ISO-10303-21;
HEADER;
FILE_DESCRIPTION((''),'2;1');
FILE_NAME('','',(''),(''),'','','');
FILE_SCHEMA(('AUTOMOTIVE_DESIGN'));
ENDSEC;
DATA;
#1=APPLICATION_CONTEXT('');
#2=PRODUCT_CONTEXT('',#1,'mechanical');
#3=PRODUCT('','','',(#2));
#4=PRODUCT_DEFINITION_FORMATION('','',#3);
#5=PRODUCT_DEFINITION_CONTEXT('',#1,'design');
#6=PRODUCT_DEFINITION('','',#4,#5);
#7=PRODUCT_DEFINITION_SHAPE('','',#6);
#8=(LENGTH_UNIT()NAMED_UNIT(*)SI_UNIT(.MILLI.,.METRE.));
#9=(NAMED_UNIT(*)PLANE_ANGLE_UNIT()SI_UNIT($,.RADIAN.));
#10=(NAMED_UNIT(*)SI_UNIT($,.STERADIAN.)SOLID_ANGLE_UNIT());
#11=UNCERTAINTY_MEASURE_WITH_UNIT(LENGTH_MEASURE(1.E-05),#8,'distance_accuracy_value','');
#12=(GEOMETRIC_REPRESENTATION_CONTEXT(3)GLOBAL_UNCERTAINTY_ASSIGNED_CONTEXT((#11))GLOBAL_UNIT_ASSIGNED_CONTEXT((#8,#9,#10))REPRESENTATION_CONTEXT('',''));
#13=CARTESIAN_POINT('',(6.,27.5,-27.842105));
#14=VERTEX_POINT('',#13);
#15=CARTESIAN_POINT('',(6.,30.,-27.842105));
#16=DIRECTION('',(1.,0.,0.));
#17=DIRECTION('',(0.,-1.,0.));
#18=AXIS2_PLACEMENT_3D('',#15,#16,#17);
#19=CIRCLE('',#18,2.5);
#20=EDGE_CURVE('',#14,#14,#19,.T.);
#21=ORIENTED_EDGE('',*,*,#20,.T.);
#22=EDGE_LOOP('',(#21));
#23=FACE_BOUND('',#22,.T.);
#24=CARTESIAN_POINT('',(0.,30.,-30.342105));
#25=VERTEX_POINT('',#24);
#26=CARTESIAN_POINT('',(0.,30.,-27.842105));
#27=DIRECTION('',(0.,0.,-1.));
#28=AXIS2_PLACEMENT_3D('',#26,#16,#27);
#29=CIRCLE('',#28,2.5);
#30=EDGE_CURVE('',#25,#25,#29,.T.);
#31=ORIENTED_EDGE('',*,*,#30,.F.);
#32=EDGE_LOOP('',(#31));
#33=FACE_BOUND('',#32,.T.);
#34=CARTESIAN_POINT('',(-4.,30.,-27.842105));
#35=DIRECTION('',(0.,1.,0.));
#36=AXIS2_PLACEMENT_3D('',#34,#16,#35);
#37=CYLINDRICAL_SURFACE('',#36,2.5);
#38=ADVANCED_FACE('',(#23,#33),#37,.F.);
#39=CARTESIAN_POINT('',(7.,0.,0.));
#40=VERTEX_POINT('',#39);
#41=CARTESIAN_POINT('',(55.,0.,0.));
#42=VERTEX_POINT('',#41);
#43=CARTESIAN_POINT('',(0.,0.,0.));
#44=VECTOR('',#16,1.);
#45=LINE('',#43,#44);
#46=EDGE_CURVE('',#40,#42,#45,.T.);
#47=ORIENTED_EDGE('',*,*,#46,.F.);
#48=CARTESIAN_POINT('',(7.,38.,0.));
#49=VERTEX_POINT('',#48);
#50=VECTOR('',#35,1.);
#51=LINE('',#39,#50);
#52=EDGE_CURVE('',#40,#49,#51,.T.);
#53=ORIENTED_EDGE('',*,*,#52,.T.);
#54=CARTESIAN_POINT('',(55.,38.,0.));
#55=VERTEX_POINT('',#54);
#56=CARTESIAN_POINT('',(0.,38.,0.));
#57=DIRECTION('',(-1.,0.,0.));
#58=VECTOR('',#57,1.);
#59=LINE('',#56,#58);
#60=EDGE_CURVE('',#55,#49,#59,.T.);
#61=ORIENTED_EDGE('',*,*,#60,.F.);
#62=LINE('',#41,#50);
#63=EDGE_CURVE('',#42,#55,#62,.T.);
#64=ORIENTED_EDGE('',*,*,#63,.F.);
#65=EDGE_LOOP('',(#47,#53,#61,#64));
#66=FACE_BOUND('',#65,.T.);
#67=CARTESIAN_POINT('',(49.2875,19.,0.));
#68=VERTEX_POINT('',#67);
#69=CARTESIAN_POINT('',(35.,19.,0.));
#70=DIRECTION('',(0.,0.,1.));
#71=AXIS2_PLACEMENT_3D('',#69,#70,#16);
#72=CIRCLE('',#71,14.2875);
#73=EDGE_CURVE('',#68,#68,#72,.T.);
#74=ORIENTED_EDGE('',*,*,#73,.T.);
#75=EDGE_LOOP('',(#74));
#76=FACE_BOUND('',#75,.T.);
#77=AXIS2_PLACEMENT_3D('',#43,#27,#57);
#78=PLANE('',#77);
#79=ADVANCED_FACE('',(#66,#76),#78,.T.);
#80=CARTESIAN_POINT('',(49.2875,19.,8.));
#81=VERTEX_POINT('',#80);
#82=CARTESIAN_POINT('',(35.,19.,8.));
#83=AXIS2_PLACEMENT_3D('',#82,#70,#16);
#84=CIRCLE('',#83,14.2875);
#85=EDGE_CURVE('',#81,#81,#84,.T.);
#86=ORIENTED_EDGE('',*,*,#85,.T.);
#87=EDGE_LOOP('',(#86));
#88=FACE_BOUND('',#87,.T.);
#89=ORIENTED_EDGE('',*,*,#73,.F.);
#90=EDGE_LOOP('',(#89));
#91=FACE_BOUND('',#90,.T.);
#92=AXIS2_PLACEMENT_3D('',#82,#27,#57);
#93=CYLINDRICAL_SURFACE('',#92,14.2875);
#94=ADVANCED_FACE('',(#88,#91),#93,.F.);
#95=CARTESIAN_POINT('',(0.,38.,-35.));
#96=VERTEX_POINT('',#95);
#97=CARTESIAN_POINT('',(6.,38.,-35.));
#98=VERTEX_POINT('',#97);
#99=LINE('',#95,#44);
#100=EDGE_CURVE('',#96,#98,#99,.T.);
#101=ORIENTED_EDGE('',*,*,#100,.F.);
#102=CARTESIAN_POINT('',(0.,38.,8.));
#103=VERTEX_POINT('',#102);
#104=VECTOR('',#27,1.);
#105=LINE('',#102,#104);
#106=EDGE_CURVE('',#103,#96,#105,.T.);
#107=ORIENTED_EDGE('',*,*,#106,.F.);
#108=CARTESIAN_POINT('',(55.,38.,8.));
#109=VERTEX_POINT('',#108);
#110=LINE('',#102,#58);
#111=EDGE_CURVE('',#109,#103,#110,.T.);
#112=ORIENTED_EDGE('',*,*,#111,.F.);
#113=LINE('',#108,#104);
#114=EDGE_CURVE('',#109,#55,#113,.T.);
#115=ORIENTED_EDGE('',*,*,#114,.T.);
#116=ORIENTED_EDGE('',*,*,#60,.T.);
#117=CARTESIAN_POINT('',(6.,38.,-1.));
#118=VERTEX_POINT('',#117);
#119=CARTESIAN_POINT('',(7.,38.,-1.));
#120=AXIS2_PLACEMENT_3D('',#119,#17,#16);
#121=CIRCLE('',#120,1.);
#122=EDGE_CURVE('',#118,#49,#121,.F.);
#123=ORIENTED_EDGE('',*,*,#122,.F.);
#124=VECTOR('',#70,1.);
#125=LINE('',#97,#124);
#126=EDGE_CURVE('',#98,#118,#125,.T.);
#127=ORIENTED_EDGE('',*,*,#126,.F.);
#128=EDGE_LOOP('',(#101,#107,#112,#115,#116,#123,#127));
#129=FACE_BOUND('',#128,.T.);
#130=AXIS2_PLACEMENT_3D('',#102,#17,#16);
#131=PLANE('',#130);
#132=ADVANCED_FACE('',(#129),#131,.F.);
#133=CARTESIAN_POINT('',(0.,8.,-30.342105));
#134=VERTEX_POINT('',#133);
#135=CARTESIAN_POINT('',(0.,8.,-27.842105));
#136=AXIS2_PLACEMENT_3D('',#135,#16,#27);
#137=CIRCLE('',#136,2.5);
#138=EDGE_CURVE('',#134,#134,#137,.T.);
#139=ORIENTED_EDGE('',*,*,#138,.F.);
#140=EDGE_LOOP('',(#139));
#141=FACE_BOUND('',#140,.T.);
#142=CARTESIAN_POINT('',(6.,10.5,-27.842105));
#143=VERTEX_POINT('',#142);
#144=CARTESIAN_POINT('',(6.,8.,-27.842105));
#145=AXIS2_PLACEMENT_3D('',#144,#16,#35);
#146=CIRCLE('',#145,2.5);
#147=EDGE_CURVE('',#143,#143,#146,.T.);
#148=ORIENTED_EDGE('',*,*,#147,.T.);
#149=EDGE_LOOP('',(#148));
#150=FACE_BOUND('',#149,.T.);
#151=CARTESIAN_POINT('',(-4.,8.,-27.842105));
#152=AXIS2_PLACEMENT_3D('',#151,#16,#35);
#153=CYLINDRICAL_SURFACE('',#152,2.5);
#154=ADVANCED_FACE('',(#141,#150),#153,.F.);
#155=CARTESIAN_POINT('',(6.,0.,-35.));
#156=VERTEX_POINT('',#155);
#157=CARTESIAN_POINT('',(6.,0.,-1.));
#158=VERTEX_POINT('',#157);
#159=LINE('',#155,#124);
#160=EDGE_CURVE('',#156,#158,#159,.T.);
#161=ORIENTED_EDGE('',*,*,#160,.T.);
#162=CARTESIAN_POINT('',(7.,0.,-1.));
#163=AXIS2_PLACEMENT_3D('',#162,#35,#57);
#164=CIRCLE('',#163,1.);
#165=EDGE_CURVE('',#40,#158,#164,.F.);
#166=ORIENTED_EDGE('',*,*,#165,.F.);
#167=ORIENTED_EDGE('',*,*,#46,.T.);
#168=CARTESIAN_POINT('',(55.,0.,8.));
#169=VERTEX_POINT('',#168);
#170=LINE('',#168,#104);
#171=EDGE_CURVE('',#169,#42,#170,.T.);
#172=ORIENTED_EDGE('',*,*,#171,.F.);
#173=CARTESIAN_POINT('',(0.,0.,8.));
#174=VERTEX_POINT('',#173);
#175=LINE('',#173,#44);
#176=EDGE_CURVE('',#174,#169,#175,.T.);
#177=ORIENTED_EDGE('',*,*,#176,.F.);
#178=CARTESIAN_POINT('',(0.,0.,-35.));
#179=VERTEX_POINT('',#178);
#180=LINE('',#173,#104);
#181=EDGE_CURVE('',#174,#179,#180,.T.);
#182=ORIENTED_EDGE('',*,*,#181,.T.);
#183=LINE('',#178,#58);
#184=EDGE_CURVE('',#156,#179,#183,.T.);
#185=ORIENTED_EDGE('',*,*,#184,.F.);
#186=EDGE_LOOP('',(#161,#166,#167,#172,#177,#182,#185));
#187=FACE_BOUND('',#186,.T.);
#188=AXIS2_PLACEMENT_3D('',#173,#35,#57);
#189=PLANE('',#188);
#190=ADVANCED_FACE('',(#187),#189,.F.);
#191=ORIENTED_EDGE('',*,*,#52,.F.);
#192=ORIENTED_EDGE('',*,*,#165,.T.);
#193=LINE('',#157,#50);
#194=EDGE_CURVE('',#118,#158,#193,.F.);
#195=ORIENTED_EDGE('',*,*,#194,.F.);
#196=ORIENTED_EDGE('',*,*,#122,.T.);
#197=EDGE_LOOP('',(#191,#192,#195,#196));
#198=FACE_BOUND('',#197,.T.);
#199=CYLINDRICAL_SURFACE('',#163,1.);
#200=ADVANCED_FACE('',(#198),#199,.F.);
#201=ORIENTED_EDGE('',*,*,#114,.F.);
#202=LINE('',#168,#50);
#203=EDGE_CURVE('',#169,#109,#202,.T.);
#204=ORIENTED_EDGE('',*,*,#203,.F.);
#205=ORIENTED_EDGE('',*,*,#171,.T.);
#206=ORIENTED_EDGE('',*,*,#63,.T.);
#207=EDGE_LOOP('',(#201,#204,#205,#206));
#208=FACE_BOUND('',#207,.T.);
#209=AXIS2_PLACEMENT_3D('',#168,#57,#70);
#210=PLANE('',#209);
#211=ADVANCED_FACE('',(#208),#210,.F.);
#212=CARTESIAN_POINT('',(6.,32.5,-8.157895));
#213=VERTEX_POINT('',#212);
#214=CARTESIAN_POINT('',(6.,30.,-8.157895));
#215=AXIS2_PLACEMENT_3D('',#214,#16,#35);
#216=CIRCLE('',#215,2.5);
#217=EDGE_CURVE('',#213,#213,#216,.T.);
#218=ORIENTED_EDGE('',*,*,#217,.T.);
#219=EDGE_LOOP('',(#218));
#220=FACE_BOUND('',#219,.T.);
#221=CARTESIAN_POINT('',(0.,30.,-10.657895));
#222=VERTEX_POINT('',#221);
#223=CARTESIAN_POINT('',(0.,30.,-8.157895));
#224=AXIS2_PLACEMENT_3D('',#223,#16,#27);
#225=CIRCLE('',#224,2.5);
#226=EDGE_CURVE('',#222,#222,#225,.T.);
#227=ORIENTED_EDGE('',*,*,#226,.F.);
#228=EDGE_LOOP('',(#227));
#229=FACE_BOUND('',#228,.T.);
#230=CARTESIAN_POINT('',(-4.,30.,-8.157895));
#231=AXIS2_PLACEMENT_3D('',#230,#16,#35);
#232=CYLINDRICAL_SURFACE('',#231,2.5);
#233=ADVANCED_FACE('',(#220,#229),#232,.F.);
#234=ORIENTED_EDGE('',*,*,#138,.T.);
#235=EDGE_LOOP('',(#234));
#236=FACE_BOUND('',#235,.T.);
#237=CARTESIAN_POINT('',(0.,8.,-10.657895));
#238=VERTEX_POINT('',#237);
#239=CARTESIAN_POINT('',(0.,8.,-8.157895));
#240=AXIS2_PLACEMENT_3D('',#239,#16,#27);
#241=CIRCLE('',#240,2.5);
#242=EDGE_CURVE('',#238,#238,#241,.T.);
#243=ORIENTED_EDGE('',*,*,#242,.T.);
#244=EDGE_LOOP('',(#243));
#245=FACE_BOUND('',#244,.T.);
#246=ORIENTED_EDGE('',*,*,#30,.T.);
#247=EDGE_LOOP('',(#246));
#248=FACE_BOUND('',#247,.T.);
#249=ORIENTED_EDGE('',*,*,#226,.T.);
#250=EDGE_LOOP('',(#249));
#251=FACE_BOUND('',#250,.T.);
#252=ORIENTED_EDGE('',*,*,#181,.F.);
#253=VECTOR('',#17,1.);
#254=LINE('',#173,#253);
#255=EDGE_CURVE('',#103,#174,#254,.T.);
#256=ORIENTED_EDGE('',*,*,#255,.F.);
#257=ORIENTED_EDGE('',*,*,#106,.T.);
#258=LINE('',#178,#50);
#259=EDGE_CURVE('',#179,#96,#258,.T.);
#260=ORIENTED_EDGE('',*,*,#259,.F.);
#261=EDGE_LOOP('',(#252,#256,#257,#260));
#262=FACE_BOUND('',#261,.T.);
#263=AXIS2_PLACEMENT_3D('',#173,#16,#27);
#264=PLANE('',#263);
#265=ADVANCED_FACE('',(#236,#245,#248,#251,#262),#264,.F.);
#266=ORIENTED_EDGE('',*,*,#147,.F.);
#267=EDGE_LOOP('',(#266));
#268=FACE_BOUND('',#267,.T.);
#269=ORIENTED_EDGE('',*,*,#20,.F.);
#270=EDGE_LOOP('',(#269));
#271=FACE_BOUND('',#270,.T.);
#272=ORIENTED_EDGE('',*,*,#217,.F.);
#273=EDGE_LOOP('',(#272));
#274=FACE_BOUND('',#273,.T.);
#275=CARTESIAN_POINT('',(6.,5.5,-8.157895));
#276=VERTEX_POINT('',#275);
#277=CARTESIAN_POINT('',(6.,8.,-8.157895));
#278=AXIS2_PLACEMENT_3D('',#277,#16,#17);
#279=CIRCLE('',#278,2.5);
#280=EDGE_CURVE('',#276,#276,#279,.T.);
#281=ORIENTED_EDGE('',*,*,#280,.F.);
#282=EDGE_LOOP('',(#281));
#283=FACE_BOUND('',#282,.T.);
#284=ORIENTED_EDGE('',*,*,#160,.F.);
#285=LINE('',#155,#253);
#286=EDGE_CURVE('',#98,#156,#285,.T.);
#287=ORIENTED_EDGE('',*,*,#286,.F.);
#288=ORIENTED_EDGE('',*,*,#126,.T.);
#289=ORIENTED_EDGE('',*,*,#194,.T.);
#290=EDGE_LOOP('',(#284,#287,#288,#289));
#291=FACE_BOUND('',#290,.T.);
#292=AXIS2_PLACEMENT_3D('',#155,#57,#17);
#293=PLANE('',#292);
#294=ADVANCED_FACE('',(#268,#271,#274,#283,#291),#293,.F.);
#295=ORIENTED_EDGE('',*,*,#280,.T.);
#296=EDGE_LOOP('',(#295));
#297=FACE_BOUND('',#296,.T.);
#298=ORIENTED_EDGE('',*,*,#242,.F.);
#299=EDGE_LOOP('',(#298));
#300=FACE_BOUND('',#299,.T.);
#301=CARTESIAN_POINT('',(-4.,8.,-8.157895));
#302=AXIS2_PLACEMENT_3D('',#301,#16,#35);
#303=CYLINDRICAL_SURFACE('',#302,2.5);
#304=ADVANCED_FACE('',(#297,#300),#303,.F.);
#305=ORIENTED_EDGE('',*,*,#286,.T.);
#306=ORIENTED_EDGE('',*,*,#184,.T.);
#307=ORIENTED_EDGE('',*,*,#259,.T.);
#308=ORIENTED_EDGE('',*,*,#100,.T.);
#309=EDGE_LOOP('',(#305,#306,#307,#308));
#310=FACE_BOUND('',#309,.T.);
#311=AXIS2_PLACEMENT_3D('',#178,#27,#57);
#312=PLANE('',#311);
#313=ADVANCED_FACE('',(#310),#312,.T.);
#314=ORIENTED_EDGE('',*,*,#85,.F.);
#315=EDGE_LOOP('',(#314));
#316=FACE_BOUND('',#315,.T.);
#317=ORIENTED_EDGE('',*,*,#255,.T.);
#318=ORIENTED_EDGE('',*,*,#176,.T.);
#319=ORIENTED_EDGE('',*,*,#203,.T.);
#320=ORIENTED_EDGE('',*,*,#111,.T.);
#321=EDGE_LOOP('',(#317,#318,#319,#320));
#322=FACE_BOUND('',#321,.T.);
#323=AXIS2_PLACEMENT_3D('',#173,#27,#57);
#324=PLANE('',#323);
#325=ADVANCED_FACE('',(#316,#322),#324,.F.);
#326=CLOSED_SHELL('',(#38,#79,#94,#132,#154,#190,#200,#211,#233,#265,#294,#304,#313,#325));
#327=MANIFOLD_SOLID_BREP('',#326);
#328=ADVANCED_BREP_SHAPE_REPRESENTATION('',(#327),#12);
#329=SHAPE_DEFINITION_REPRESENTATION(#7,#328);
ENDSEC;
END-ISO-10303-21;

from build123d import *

# Parameters (mm, degrees)
SKETCH1_W           = 55
SKETCH1_H           = 38
SKETCH1_R           = 14.2875
BOSS_EXTRUDE3_DEPTH = 8
SKETCH8_W           = 6
SKETCH8_H           = 38
BOSS_EXTRUDE6_DEPTH = 35
FILLET1_R           = 1
SKETCH9_R           = 2.5
CUT_EXTRUDE1_DEPTH  = 10


with BuildPart() as part:
    # Sketch1 → Boss-Extrude3 (new body)
    with BuildSketch(Plane.XY):
        with Locations((27.5, 19)):
            Rectangle(SKETCH1_W, SKETCH1_H)
        with Locations((35, 19)):
            Circle(SKETCH1_R, mode=Mode.SUBTRACT)
    extrude(amount=BOSS_EXTRUDE3_DEPTH)

    # Sketch8 → Boss-Extrude6 (add)
    with BuildSketch(Plane(origin=(0, 0, 0), x_dir=(-1, 0, 0), z_dir=(0, 0, -1))):
        with Locations((-3, 19)):
            Rectangle(SKETCH8_W, SKETCH8_H)
    extrude(amount=BOSS_EXTRUDE6_DEPTH)

    # Fillet1
    fillet1_edges = [part.edges().sort_by_distance(p)[0] for p in [
        (6, 19, 0),
    ]]
    fillet(fillet1_edges, radius=FILLET1_R)

    # Sketch9 → Cut-Extrude1 (cut)
    with BuildSketch(Plane(origin=(6, 0, 0), x_dir=(0, 0, -1), z_dir=(1, 0, 0))):
        with Locations((8.157894737, 30)):
            Circle(SKETCH9_R)
        with Locations((8.157894737, 8)):
            Circle(SKETCH9_R)
        with Locations((27.842105263, 8)):
            Circle(SKETCH9_R)
        with Locations((27.842105263, 30)):
            Circle(SKETCH9_R)
    extrude(amount=-CUT_EXTRUDE1_DEPTH, mode=Mode.SUBTRACT)


solid = part.part
